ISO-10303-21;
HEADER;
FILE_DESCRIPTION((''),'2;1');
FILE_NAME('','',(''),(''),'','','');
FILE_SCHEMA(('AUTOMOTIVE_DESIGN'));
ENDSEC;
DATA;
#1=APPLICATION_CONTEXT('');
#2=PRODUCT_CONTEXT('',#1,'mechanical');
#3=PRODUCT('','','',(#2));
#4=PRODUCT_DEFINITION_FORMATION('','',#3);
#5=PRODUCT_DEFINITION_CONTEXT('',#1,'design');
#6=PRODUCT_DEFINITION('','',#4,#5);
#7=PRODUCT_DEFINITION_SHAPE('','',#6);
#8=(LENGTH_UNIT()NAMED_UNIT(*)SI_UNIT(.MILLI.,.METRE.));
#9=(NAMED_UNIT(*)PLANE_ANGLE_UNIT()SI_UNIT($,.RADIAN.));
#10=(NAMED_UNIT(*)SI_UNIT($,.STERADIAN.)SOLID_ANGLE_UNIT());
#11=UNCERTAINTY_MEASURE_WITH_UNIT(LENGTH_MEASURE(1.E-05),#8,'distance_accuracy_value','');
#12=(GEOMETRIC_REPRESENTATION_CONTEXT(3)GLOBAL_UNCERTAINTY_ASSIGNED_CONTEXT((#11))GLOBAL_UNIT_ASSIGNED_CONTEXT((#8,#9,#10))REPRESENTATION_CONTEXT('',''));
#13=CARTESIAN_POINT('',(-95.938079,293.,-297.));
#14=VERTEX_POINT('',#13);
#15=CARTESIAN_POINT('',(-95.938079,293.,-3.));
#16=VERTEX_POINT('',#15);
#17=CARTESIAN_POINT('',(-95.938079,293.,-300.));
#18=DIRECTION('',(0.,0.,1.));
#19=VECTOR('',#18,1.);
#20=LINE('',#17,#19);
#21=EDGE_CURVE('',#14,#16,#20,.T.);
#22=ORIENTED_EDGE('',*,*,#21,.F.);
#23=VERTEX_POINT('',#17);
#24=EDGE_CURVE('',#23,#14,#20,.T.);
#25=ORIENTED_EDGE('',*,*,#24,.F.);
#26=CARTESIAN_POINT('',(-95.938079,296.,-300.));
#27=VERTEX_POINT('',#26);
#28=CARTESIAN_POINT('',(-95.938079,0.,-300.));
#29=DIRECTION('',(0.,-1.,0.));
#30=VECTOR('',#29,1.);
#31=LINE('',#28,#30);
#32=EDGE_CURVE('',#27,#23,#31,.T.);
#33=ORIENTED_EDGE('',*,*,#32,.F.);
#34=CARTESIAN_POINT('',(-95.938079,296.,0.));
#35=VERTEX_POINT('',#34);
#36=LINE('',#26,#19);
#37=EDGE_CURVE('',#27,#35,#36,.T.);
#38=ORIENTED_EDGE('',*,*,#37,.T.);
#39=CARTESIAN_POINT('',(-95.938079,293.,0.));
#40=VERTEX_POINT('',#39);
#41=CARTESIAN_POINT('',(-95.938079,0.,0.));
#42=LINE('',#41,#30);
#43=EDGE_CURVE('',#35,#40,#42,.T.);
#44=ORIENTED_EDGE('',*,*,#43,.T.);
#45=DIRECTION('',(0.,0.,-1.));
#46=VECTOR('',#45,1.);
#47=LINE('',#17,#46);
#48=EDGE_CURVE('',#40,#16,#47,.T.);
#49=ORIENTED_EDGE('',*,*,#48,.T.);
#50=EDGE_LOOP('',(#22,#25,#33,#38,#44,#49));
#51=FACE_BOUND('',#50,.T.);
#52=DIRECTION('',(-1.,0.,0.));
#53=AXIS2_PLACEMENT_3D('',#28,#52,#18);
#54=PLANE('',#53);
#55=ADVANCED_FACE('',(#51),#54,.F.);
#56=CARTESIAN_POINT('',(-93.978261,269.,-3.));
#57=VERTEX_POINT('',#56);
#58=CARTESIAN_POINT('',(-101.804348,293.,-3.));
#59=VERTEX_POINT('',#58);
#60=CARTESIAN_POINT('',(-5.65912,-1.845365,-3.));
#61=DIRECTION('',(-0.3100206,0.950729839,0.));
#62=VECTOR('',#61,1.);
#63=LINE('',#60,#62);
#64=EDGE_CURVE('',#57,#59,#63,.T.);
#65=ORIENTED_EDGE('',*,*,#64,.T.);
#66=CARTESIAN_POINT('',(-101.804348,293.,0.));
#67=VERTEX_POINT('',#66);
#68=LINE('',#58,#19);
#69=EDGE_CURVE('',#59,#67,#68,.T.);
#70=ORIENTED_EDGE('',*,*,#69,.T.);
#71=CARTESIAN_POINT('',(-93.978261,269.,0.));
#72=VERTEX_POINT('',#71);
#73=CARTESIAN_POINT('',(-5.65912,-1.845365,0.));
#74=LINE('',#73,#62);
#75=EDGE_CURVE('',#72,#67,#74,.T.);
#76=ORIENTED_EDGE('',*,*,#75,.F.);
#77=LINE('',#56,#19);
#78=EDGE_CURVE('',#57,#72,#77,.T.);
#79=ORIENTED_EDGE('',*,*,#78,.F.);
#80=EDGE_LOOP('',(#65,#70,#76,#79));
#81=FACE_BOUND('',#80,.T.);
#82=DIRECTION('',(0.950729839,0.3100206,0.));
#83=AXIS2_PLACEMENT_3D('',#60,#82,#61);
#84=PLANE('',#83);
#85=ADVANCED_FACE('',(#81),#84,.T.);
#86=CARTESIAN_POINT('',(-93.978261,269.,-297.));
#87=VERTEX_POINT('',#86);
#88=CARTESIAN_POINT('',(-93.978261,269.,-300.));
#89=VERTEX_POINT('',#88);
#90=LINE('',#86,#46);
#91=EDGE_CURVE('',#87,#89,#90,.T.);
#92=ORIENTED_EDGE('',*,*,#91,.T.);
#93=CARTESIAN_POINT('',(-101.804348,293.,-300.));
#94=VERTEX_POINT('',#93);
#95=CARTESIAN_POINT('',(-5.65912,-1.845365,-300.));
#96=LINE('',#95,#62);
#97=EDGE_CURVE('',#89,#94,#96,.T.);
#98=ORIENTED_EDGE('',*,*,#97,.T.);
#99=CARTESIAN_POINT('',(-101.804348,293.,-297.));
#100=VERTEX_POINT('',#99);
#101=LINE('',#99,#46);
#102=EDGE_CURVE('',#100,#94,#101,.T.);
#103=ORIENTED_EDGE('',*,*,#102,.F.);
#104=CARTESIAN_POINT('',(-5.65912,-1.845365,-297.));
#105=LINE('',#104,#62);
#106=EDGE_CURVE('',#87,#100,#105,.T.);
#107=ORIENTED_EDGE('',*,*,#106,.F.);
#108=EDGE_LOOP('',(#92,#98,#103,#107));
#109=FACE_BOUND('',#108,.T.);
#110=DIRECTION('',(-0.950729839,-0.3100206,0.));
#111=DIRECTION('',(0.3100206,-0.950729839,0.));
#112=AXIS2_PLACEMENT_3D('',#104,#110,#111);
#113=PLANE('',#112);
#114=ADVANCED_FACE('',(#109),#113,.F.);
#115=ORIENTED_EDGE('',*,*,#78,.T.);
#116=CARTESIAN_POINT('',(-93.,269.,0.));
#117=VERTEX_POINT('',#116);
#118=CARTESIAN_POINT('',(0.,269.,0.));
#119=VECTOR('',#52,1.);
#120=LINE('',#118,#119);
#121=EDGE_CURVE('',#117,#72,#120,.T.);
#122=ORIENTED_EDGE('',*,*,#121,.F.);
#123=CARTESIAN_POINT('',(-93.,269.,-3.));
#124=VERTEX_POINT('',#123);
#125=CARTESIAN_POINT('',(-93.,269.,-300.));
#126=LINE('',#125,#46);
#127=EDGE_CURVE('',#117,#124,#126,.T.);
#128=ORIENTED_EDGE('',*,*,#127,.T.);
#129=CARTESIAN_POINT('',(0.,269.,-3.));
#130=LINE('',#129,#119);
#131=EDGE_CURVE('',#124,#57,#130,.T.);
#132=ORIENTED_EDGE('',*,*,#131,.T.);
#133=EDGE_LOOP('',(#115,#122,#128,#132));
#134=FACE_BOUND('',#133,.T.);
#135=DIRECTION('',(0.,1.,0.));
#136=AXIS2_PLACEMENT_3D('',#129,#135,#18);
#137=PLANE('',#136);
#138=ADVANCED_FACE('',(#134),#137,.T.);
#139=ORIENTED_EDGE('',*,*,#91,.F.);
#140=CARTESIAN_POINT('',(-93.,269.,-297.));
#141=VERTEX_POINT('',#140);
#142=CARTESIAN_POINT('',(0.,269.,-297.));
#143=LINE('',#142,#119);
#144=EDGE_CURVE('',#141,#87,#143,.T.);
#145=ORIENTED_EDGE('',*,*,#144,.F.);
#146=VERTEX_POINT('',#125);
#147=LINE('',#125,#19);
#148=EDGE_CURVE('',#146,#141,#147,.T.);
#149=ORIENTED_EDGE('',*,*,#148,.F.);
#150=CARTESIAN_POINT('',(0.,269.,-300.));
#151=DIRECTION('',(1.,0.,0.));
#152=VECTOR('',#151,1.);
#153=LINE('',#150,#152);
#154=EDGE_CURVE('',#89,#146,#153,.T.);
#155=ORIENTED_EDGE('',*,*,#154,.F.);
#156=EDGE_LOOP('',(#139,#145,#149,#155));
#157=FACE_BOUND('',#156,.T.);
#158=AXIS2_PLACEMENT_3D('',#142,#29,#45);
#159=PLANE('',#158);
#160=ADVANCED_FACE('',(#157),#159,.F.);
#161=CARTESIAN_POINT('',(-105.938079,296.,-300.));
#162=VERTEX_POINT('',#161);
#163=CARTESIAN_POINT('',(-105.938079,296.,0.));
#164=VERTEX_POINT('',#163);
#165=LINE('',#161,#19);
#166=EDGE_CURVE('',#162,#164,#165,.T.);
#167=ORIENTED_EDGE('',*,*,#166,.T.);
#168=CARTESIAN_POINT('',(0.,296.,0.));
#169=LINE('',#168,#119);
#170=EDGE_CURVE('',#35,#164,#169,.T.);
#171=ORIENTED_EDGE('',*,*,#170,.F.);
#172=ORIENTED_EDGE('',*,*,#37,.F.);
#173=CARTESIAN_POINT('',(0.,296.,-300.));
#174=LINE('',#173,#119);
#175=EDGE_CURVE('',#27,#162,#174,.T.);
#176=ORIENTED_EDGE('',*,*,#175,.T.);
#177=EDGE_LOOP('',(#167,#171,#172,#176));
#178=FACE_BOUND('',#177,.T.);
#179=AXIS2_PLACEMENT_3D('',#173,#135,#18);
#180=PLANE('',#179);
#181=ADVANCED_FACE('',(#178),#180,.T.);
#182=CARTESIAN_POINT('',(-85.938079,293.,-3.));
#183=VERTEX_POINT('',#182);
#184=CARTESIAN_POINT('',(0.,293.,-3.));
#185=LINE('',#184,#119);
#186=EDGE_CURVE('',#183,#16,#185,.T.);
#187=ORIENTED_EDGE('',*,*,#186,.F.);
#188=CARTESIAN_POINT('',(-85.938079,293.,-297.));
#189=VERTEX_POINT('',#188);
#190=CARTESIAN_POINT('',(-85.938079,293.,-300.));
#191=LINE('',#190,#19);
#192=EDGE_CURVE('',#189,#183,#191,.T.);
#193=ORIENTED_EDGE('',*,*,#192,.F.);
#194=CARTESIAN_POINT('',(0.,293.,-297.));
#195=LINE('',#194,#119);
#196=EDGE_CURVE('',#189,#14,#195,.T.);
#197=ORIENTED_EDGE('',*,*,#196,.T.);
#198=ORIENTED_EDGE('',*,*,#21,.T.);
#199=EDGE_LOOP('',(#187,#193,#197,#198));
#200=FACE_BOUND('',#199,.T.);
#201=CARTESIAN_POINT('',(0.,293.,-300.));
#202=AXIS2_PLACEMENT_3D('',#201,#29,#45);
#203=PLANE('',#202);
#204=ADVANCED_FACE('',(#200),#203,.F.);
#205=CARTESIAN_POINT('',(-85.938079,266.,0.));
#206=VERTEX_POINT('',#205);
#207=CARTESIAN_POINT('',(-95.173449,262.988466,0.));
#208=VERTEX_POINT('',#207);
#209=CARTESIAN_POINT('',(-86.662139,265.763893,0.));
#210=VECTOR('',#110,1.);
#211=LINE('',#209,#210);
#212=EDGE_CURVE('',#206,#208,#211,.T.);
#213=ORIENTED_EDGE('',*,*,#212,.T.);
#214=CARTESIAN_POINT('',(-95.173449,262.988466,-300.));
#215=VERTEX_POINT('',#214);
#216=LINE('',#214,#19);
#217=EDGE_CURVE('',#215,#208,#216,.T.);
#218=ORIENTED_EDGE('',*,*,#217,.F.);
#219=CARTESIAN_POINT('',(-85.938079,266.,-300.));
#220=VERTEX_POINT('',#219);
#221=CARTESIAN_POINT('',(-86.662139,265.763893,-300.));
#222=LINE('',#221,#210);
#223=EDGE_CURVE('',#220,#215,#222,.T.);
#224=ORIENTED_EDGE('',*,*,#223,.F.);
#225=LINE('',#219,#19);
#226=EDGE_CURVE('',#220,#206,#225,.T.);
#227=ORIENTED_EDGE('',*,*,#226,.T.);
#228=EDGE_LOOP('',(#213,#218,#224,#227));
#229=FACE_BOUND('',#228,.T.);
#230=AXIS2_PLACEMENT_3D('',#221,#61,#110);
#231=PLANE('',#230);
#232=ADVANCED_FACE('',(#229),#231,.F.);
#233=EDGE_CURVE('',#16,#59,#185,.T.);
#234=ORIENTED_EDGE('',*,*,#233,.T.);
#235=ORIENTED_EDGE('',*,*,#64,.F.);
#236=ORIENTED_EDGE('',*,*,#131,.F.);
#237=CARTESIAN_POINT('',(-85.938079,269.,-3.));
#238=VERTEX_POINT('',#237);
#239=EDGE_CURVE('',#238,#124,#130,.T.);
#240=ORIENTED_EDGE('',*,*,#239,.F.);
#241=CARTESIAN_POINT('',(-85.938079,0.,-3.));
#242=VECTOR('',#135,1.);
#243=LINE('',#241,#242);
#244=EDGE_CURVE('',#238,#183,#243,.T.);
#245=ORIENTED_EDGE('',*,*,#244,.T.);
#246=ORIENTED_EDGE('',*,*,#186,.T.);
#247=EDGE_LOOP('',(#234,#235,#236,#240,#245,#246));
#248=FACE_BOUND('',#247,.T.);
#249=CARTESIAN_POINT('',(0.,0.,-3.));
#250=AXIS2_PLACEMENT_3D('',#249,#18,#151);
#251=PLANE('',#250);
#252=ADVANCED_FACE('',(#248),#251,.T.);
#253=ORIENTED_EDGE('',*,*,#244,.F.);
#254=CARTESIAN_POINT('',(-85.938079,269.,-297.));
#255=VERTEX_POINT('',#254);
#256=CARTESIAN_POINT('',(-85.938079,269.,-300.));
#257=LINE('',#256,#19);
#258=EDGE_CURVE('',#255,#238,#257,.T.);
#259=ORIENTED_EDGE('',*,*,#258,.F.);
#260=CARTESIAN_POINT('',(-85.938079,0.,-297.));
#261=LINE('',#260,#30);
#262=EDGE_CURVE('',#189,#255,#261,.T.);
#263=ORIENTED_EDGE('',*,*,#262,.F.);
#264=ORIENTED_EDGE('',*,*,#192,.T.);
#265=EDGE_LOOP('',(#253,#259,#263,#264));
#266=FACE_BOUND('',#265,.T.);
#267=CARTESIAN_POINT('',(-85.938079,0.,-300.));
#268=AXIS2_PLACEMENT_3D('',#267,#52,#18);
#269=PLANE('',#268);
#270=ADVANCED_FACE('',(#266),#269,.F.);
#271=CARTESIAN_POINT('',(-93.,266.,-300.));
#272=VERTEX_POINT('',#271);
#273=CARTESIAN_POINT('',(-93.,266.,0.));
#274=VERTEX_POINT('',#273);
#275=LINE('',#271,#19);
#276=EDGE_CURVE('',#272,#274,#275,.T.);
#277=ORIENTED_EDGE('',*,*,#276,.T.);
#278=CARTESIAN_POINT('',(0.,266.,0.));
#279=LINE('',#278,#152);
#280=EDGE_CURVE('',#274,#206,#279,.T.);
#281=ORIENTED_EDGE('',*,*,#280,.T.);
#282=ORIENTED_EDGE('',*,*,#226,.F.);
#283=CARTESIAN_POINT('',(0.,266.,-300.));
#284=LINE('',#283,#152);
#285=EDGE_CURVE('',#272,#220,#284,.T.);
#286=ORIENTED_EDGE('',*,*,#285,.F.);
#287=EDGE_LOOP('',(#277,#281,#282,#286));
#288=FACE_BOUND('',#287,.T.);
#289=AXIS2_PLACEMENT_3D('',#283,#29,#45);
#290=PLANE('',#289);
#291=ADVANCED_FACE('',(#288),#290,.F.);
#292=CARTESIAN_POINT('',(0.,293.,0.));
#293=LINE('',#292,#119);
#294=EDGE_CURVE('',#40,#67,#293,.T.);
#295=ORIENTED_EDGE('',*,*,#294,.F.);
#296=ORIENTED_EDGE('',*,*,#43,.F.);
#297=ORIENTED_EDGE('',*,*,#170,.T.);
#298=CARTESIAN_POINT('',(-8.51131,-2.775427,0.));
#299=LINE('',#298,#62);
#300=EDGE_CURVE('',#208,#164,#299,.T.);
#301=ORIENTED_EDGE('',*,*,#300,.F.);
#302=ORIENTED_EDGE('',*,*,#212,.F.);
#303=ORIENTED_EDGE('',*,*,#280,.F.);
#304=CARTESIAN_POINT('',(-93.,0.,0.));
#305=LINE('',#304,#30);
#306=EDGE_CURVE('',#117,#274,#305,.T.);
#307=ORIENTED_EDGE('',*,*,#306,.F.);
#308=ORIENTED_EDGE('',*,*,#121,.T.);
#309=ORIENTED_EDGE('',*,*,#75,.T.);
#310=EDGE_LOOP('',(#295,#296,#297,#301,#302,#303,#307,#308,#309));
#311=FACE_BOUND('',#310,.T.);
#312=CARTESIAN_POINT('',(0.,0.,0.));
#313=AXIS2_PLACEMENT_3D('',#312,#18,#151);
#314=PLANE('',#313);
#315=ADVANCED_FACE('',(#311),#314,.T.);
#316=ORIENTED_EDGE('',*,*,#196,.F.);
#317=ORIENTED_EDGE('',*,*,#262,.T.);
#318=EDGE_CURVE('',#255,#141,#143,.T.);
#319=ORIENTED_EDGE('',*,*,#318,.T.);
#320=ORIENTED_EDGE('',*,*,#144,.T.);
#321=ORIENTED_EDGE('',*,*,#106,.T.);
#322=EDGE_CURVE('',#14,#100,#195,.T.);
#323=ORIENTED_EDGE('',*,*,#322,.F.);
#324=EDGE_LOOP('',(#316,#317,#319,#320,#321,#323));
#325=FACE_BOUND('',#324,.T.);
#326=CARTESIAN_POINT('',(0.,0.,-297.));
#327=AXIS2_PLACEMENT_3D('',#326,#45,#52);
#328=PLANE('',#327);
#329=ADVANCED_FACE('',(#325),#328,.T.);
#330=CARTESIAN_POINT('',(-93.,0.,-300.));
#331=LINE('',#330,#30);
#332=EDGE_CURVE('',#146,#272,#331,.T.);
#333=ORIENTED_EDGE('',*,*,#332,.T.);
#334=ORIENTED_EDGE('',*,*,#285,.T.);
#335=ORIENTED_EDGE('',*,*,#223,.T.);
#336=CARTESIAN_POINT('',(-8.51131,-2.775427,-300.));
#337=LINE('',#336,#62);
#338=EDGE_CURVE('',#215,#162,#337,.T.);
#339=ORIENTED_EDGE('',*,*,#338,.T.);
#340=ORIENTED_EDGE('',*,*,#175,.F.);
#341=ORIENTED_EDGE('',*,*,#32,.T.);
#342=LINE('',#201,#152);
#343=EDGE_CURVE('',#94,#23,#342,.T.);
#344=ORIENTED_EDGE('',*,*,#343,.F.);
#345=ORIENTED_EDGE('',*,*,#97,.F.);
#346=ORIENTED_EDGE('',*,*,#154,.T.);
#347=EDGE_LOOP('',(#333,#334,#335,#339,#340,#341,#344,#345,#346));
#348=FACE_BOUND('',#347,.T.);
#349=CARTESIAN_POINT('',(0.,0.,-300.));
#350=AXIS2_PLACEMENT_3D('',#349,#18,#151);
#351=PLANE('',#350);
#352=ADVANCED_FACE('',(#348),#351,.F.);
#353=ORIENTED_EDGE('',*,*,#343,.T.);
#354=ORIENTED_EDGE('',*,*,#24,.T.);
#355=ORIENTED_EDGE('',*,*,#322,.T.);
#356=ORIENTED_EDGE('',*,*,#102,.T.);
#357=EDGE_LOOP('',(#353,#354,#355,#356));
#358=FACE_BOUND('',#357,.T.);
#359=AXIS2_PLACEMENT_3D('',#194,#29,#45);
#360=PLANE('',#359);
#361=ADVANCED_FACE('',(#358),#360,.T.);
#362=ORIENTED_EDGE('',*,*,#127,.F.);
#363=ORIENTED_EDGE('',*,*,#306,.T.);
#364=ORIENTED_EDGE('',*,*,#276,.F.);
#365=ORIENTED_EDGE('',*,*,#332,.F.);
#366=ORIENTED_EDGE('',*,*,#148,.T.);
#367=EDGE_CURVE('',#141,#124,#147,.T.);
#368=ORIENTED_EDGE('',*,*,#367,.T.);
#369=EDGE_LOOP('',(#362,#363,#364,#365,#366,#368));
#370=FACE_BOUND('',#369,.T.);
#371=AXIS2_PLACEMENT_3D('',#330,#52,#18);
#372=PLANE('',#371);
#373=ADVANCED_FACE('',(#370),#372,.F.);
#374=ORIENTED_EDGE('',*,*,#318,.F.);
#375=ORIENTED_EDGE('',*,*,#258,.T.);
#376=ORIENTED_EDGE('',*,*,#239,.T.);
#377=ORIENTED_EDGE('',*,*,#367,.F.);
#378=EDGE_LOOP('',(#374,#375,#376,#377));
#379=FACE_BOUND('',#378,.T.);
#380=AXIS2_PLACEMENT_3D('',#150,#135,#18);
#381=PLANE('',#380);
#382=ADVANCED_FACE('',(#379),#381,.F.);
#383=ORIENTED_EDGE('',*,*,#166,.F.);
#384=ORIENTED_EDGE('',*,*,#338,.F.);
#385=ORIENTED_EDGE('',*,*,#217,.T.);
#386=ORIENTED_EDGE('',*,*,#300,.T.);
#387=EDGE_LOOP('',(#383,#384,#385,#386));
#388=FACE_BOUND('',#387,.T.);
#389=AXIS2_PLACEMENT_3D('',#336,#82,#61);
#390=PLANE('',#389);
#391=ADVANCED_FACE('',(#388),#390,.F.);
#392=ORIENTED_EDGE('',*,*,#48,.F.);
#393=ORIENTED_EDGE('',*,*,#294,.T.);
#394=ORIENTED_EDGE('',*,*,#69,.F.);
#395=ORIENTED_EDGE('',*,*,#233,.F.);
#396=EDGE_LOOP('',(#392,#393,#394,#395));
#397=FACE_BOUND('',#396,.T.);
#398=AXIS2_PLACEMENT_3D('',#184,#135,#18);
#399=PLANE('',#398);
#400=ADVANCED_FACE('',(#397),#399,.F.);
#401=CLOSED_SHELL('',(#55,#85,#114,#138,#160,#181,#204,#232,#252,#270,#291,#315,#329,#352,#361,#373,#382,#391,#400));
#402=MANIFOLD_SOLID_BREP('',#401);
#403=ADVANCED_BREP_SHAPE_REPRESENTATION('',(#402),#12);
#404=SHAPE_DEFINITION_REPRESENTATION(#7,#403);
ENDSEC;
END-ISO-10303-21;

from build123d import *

# Parameters (mm, degrees)
BOSS_EXTRUDE1_DEPTH = 300
CUT_EXTRUDE1_DEPTH  = 3
CUT_EXTRUDE2_DEPTH  = 3


with BuildPart() as part:
    # Sketch1 → Boss-Extrude1 (new body)
    with BuildSketch(Plane.XY):
        Polygon((-105.938079236, 296), (-95.173448736, 262.988466467), (-85.938079236, 266), (-93, 266), (-93, 269), (-85.938079236, 269), (-85.938079236, 293), (-95.938079236, 293), (-95.938079236, 296), align=None)
    extrude(amount=-BOSS_EXTRUDE1_DEPTH)

    # Sketch2 → Cut-Extrude1 (cut)
    with BuildSketch(Plane(origin=(0, 0, -300), x_dir=(-1, 0, 0), z_dir=(0, 0, -1))):
        Polygon((93, 269), (93.97826087, 269), (101.804347826, 293), (95.938079236, 293), (85.938079236, 293), (85.938079236, 269), align=None)
    extrude(amount=-CUT_EXTRUDE1_DEPTH, mode=Mode.SUBTRACT)

    # Sketch3 → Cut-Extrude2 (cut)
    with BuildSketch(Plane.XY):
        Polygon((-101.804347826, 293), (-93.97826087, 269), (-93, 269), (-85.938079236, 269), (-85.938079236, 293), (-95.938079236, 293), align=None)
    extrude(amount=-CUT_EXTRUDE2_DEPTH, mode=Mode.SUBTRACT)


solid = part.part
